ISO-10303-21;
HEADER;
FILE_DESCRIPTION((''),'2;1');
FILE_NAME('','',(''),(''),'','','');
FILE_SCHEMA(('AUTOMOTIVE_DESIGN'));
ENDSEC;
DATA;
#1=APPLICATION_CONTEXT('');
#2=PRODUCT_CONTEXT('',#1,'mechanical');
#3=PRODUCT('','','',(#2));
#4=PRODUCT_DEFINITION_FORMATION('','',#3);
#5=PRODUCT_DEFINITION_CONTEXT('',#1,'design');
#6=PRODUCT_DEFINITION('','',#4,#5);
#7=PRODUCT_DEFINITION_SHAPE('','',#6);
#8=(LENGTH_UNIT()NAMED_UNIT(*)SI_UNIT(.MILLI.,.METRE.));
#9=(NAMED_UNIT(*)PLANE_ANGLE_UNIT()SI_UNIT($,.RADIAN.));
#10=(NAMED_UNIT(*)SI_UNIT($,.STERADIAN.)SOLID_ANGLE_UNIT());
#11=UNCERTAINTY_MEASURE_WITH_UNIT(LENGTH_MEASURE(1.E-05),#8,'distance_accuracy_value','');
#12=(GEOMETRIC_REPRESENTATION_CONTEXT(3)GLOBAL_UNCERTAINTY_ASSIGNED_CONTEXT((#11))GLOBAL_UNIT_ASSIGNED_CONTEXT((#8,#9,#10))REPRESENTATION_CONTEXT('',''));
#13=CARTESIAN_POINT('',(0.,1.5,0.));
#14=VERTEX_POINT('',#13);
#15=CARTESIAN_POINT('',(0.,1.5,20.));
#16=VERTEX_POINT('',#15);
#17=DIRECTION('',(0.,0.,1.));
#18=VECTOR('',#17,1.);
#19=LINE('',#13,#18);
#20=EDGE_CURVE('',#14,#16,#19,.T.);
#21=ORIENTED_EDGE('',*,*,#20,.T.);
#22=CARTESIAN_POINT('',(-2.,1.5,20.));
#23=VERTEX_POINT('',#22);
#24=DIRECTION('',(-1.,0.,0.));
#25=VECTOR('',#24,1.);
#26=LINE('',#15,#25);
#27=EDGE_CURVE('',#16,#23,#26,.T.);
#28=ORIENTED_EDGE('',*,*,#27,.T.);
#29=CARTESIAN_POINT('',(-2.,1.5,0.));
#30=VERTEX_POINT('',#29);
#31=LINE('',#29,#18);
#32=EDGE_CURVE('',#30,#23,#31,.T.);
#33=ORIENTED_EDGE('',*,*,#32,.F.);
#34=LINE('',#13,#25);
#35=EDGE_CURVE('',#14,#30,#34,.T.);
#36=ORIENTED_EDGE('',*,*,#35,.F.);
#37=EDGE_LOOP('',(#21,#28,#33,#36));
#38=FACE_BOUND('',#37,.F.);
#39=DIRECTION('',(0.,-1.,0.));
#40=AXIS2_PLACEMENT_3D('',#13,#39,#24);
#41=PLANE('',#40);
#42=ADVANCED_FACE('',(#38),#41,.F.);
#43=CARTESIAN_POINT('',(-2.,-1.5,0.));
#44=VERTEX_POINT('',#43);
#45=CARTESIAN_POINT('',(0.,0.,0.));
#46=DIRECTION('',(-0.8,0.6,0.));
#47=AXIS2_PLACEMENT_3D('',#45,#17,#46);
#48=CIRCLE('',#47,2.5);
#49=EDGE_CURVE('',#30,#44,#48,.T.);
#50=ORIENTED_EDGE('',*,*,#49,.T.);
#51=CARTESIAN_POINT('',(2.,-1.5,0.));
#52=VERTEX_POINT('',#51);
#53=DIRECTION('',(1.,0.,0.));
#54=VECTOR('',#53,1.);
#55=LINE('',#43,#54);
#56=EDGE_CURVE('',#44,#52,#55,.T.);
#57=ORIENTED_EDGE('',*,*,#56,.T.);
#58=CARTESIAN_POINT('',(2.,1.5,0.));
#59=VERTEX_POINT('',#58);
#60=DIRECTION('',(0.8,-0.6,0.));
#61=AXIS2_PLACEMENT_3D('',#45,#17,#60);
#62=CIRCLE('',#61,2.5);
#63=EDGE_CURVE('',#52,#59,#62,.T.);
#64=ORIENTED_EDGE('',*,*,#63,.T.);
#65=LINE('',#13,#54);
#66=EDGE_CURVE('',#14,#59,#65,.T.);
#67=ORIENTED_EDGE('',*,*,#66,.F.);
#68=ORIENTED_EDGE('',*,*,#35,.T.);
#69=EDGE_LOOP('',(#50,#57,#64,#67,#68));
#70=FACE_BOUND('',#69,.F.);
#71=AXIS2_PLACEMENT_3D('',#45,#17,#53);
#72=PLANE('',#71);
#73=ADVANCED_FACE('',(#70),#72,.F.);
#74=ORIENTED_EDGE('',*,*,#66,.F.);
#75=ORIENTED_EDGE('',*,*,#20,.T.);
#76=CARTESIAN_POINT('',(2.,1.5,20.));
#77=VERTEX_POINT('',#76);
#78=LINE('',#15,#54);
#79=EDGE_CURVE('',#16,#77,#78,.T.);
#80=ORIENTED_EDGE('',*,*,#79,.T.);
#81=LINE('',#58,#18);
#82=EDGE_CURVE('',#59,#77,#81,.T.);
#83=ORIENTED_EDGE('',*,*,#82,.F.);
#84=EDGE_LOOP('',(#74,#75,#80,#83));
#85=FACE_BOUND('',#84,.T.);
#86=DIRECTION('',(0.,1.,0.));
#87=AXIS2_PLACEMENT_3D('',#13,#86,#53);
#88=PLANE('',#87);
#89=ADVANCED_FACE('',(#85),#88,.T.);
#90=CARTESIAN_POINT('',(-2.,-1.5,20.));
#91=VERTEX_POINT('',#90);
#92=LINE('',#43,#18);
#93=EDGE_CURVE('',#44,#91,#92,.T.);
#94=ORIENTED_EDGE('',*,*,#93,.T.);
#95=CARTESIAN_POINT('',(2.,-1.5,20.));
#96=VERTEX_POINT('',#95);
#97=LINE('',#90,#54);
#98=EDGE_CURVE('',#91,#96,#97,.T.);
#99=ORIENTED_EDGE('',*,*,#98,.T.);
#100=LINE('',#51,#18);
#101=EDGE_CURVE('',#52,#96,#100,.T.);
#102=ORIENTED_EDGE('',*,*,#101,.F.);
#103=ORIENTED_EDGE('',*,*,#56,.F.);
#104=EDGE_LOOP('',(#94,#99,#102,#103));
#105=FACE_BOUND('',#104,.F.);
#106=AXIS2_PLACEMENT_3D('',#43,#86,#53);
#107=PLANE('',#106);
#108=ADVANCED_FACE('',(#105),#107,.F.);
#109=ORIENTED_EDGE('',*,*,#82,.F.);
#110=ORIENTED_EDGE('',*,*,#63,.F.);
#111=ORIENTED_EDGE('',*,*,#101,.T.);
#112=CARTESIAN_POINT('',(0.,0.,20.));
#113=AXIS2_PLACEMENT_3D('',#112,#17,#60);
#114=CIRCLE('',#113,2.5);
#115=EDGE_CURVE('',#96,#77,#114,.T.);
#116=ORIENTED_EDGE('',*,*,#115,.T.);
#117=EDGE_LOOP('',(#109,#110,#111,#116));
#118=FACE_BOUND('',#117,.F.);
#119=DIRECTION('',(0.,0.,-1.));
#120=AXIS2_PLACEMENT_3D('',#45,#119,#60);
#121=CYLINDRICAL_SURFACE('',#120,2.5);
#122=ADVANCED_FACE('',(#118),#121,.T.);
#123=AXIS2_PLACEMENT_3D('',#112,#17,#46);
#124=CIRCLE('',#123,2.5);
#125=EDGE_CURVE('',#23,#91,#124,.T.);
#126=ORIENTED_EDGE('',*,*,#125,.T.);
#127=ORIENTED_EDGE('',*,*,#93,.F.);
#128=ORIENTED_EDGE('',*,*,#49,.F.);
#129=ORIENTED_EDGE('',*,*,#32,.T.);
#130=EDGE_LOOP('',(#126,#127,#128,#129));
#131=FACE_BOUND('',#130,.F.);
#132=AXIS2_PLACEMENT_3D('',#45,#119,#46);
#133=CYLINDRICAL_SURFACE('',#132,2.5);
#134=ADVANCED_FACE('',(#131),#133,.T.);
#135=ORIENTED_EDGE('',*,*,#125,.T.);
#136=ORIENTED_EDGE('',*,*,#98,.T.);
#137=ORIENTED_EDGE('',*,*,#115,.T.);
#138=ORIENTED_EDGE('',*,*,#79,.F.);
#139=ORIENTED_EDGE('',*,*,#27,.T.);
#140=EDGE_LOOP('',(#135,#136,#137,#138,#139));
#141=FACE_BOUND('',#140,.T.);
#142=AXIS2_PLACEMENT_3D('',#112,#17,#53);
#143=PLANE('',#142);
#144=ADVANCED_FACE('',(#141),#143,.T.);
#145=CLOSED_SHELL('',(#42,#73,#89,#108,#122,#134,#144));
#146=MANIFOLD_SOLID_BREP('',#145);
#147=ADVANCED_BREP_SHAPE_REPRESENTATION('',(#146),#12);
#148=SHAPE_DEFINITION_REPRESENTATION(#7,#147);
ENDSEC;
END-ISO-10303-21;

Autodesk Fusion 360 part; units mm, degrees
sketch "Sketch1" plane through (0, 0, 0) normal (0, 0, 1) x (1, 0, 0)
  line L0 (0, 1.5) -> (-2, 1.5)
  line L1 (0, 1.5) -> (2, 1.5)
  arc A0 (-2, 1.5) -> (-2, -1.5) centre (0, 0) ccw
  arc A1 (2, -1.5) -> (2, 1.5) centre (0, 0) ccw
  circle A2 centre (0, 0) radius 3.5
  line L2 (-2, -1.5) -> (2, -1.5)
  dimension "d2" = 5
  dimension "d3" = 1.5
  dimension "d5" = 7
extrude "Extrude1" add sketch "Sketch1" along normal blind 20 contours L0 L1 A0 A1 L2
sketch "Sketch2" plane through (0, 0, 0) normal (0, 0, 1) x (1, 0, 0)
